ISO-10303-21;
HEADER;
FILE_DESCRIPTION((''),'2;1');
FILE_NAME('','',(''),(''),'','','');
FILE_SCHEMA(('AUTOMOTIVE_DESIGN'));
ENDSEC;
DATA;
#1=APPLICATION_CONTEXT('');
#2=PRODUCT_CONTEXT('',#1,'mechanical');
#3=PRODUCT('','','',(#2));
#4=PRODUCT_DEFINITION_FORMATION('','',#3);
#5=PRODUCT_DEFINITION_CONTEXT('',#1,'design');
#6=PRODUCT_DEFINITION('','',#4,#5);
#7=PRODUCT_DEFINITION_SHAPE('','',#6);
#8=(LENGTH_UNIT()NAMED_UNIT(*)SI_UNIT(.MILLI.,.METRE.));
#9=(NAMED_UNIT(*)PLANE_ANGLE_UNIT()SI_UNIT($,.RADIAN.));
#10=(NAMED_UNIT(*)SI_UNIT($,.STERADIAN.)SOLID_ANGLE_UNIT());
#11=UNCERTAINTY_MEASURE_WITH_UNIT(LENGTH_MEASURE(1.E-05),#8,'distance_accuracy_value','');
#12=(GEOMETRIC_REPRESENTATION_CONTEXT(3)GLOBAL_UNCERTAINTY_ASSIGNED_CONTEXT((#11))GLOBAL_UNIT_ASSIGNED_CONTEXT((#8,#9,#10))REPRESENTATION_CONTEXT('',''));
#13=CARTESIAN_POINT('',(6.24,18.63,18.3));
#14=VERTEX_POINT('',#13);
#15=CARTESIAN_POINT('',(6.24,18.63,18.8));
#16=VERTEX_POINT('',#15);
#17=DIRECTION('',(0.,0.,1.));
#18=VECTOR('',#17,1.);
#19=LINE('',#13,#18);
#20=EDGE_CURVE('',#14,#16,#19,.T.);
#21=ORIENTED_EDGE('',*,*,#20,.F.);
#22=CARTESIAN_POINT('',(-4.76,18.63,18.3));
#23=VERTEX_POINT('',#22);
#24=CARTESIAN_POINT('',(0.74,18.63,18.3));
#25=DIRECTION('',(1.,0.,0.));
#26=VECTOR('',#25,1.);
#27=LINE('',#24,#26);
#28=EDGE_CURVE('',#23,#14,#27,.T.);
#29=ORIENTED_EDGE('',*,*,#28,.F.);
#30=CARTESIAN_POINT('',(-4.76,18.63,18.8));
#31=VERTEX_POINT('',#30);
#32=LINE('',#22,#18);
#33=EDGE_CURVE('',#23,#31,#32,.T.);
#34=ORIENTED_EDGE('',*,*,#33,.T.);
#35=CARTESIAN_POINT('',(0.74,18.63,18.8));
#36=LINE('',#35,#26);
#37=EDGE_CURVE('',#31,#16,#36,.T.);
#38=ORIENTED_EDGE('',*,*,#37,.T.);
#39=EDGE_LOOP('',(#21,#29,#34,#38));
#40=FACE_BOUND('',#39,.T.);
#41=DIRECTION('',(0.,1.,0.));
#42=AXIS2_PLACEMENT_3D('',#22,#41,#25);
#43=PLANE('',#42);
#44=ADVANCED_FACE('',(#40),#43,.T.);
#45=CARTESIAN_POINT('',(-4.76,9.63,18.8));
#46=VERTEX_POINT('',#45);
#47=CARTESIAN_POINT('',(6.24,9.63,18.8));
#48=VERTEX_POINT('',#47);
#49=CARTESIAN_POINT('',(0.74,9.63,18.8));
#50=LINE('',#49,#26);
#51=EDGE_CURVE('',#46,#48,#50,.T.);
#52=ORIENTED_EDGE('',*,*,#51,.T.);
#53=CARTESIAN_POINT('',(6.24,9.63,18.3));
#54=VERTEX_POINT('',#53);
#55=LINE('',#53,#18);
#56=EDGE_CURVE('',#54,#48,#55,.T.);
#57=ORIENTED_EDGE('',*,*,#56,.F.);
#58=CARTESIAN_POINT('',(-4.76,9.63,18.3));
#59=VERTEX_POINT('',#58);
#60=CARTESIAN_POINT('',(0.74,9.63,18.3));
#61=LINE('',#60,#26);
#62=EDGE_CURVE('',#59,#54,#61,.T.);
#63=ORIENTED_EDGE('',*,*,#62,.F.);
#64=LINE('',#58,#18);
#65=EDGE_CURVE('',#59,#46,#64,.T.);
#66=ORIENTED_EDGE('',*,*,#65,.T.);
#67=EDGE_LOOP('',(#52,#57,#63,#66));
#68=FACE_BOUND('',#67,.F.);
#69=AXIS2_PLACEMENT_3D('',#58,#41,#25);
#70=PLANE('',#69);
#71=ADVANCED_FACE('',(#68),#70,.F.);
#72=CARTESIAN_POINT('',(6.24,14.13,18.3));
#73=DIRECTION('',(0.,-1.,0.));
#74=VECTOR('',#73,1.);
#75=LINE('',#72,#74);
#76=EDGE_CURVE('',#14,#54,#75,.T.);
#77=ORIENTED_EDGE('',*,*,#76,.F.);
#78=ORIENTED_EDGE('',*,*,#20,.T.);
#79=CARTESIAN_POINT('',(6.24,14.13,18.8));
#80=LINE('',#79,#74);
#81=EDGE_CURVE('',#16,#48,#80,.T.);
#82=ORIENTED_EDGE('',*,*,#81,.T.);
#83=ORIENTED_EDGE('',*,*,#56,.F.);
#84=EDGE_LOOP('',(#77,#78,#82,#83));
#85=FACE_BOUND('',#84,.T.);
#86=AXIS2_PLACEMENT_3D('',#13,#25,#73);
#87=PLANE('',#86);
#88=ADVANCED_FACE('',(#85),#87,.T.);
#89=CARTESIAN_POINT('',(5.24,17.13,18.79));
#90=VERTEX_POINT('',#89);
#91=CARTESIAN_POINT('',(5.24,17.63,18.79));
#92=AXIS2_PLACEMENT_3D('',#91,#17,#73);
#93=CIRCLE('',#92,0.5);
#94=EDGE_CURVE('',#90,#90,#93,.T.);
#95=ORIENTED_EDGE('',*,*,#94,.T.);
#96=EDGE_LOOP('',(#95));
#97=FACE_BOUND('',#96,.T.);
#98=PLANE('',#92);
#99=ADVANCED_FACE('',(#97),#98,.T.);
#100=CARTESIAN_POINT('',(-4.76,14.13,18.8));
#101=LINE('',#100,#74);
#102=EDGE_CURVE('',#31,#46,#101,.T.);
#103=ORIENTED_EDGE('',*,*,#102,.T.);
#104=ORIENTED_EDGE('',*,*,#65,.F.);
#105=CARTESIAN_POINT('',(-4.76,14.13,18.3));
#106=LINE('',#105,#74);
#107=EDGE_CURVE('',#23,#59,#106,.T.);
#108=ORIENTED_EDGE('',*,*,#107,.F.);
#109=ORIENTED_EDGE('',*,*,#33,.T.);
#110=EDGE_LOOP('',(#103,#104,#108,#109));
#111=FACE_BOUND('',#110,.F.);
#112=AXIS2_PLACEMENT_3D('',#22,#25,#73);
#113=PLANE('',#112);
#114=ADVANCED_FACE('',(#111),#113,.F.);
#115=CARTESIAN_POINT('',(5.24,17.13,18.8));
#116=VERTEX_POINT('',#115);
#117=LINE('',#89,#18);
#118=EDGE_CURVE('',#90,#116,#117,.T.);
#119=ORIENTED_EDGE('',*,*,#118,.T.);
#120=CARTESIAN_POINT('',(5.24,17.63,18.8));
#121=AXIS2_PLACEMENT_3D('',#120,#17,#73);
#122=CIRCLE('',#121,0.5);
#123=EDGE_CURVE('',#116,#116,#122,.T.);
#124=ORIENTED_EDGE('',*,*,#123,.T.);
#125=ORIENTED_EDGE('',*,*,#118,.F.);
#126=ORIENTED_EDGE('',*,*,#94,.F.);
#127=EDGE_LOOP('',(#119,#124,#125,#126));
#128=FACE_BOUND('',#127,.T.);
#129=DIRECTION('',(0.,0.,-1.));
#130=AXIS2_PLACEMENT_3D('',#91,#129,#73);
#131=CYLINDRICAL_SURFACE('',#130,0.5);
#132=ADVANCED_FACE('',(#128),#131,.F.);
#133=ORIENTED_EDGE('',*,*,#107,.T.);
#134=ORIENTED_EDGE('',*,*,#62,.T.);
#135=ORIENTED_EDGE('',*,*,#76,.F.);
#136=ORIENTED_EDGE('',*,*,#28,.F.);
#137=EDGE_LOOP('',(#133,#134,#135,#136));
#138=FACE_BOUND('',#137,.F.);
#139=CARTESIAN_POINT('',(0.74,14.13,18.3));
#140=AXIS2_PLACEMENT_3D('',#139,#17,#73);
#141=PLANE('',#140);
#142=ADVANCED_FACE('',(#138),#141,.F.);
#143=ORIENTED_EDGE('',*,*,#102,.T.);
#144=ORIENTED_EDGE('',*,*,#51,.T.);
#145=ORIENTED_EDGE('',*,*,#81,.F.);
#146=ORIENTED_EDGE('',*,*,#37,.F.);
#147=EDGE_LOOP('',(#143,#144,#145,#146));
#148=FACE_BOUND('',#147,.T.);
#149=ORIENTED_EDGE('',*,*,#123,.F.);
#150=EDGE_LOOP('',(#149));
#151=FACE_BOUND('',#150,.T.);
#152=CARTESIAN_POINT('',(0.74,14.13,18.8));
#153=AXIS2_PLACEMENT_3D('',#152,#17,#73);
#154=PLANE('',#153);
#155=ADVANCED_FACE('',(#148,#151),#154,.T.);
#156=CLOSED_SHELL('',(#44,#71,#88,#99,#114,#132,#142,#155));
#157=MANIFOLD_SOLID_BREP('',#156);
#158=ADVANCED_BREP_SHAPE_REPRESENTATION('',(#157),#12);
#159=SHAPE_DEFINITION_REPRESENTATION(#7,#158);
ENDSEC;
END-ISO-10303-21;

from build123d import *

# Parameters (mm, degrees)
CYLINDER023_R          = 0.5
CYLINDER023_DEPTH      = 0.01
BOX062_W               = 9
BOX062_H               = 11
BOX062_DEPTH           = 0.5
CUT013_PLACEMENT_ANGLE = 270


with BuildPart() as cylinder022:
    # Cylinder023 → Cylinder023 (new body)
    with BuildSketch(Plane(origin=(1, 10, 0.49), x_dir=(1, 0, 0), z_dir=(0, 0, 1))):
        Circle(CYLINDER023_R)
    extrude(amount=CYLINDER023_DEPTH)


with BuildPart() as large_linbo3_plate:
    # Box062 → Box062 (new body)
    with BuildSketch(Plane.XY):
        with Locations((4.5, 5.5)):
            Rectangle(BOX062_W, BOX062_H)
    extrude(amount=BOX062_DEPTH)

    # Cut013: cut Cylinder022
    add(cylinder022.part, mode=Mode.SUBTRACT)


with BuildPart() as large_linbo3_plate_1:
    # Cut013 placement: moved
    add(large_linbo3_plate.part.moved(Location((-4.76, 18.63, 18.3))).rotate(Axis((-4.76, 18.63, 18.3), (0, 0, 1)), CUT013_PLACEMENT_ANGLE))


solid = large_linbo3_plate_1.part
